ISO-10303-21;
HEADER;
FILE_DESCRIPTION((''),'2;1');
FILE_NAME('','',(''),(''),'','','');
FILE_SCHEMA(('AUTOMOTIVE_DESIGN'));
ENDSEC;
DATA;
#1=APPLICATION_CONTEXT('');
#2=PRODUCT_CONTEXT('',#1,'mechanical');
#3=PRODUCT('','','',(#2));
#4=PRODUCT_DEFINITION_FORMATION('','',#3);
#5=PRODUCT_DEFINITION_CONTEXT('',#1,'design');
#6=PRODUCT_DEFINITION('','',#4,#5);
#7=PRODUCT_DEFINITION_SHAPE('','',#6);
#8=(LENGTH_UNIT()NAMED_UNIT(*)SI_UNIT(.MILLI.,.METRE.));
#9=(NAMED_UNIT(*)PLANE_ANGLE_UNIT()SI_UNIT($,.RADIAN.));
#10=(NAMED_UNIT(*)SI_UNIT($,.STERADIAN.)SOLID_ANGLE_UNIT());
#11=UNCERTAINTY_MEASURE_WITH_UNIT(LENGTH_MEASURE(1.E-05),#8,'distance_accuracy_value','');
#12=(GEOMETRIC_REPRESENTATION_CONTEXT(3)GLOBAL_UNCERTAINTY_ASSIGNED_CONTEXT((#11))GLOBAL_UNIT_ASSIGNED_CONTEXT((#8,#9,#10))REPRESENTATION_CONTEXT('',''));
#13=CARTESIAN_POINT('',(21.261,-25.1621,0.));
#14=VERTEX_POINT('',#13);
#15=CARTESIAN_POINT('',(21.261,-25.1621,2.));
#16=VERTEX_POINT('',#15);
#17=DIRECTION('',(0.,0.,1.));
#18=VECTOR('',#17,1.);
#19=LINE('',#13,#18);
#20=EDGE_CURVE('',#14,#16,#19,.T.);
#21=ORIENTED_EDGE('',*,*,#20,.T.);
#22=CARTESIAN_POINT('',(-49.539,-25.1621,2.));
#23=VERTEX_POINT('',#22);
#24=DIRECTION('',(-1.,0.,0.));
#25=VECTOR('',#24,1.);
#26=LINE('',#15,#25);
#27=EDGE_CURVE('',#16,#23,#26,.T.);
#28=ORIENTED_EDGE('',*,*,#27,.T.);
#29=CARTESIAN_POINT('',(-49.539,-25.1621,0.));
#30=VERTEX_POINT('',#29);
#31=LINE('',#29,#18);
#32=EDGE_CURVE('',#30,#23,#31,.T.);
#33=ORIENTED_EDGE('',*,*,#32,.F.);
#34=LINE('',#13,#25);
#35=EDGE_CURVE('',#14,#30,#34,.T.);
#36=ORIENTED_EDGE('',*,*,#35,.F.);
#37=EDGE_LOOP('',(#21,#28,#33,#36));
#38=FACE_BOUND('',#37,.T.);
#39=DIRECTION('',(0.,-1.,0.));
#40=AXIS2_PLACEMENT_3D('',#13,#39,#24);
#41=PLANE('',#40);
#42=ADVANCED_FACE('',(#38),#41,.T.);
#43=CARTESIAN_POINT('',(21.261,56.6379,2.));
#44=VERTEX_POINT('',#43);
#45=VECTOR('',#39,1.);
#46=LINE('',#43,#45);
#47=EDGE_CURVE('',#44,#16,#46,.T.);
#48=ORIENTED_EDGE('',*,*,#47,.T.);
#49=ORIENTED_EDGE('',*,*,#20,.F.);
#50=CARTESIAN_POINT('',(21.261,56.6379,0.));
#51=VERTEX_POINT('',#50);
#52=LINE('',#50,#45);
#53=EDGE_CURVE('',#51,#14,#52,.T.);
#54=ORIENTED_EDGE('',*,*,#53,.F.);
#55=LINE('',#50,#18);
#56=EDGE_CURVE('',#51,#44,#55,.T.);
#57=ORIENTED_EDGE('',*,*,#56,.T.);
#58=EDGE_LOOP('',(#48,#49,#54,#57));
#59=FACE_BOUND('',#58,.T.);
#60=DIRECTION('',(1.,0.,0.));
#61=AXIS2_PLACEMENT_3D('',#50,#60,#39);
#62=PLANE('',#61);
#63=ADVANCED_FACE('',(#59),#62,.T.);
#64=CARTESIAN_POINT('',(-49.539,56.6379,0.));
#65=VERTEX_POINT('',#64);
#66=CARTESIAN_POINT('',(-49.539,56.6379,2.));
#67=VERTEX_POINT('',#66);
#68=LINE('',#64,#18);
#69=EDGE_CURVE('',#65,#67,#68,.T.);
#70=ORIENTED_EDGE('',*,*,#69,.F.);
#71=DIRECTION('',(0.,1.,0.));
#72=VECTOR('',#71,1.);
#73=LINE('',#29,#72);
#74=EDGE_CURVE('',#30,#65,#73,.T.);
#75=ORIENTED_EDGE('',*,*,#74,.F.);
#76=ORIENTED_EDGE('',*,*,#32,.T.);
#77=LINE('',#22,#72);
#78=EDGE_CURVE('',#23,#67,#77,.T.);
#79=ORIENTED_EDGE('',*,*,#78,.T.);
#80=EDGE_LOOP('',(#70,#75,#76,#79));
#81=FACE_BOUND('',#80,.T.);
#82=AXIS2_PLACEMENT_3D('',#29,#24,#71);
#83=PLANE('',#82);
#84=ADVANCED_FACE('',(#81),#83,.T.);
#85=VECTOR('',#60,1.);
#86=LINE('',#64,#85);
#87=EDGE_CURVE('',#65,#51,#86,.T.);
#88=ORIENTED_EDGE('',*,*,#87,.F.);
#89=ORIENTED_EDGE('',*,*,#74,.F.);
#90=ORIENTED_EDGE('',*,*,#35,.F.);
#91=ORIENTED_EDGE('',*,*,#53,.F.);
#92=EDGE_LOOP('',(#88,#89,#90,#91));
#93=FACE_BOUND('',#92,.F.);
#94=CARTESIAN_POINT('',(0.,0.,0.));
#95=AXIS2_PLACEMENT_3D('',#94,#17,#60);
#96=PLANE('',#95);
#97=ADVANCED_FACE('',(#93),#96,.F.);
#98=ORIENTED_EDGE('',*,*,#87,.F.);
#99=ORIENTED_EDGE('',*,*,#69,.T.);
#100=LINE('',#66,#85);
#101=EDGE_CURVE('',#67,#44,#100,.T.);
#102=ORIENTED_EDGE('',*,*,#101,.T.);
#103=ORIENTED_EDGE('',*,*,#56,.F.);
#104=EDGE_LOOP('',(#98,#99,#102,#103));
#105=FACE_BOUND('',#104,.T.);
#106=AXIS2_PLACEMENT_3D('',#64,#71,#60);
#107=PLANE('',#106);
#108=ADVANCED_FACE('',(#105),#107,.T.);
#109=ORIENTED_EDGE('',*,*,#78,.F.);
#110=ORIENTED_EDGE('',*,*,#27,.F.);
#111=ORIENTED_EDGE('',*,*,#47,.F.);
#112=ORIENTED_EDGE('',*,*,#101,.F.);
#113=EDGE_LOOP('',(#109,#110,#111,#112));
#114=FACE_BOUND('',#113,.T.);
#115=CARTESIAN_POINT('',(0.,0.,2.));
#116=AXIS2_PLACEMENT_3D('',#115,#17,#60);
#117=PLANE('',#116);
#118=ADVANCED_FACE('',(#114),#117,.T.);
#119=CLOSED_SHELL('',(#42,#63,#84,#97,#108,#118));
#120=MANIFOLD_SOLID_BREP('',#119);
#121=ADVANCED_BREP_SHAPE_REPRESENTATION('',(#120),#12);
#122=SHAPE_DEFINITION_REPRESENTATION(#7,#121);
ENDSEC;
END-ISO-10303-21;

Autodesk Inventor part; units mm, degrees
ref_plane "YZ Plane" through (0, 0, 0) normal (1, 0, 0) x (0, 1, 0)
ref_plane "XZ Plane" through (0, 0, 0) normal (0, 1, 0) x (-1, 0, 0)
ref_plane "XY Plane" through (0, 0, 0) normal (0, 0, 1) x (1, 0, 0)
sketch "Sketch1" plane through (0, 0, 0) normal (0, 0, 1) x (1, 0, 0)
  line L0 (-49.539, 56.6379) -> (21.261, 56.6379)
  line L1 (21.261, 56.6379) -> (21.261, -25.1621)
  line L2 (21.261, -25.1621) -> (-49.539, -25.1621)
  line L3 (-49.539, -25.1621) -> (-49.539, 56.6379)
  point P0 (0, 0)
  dimension "d0" = 70.8
  dimension "d1" = 81.8
extrude "Extrusion1" add sketch "Sketch1" along normal blind 2
properties part number "top-2"
